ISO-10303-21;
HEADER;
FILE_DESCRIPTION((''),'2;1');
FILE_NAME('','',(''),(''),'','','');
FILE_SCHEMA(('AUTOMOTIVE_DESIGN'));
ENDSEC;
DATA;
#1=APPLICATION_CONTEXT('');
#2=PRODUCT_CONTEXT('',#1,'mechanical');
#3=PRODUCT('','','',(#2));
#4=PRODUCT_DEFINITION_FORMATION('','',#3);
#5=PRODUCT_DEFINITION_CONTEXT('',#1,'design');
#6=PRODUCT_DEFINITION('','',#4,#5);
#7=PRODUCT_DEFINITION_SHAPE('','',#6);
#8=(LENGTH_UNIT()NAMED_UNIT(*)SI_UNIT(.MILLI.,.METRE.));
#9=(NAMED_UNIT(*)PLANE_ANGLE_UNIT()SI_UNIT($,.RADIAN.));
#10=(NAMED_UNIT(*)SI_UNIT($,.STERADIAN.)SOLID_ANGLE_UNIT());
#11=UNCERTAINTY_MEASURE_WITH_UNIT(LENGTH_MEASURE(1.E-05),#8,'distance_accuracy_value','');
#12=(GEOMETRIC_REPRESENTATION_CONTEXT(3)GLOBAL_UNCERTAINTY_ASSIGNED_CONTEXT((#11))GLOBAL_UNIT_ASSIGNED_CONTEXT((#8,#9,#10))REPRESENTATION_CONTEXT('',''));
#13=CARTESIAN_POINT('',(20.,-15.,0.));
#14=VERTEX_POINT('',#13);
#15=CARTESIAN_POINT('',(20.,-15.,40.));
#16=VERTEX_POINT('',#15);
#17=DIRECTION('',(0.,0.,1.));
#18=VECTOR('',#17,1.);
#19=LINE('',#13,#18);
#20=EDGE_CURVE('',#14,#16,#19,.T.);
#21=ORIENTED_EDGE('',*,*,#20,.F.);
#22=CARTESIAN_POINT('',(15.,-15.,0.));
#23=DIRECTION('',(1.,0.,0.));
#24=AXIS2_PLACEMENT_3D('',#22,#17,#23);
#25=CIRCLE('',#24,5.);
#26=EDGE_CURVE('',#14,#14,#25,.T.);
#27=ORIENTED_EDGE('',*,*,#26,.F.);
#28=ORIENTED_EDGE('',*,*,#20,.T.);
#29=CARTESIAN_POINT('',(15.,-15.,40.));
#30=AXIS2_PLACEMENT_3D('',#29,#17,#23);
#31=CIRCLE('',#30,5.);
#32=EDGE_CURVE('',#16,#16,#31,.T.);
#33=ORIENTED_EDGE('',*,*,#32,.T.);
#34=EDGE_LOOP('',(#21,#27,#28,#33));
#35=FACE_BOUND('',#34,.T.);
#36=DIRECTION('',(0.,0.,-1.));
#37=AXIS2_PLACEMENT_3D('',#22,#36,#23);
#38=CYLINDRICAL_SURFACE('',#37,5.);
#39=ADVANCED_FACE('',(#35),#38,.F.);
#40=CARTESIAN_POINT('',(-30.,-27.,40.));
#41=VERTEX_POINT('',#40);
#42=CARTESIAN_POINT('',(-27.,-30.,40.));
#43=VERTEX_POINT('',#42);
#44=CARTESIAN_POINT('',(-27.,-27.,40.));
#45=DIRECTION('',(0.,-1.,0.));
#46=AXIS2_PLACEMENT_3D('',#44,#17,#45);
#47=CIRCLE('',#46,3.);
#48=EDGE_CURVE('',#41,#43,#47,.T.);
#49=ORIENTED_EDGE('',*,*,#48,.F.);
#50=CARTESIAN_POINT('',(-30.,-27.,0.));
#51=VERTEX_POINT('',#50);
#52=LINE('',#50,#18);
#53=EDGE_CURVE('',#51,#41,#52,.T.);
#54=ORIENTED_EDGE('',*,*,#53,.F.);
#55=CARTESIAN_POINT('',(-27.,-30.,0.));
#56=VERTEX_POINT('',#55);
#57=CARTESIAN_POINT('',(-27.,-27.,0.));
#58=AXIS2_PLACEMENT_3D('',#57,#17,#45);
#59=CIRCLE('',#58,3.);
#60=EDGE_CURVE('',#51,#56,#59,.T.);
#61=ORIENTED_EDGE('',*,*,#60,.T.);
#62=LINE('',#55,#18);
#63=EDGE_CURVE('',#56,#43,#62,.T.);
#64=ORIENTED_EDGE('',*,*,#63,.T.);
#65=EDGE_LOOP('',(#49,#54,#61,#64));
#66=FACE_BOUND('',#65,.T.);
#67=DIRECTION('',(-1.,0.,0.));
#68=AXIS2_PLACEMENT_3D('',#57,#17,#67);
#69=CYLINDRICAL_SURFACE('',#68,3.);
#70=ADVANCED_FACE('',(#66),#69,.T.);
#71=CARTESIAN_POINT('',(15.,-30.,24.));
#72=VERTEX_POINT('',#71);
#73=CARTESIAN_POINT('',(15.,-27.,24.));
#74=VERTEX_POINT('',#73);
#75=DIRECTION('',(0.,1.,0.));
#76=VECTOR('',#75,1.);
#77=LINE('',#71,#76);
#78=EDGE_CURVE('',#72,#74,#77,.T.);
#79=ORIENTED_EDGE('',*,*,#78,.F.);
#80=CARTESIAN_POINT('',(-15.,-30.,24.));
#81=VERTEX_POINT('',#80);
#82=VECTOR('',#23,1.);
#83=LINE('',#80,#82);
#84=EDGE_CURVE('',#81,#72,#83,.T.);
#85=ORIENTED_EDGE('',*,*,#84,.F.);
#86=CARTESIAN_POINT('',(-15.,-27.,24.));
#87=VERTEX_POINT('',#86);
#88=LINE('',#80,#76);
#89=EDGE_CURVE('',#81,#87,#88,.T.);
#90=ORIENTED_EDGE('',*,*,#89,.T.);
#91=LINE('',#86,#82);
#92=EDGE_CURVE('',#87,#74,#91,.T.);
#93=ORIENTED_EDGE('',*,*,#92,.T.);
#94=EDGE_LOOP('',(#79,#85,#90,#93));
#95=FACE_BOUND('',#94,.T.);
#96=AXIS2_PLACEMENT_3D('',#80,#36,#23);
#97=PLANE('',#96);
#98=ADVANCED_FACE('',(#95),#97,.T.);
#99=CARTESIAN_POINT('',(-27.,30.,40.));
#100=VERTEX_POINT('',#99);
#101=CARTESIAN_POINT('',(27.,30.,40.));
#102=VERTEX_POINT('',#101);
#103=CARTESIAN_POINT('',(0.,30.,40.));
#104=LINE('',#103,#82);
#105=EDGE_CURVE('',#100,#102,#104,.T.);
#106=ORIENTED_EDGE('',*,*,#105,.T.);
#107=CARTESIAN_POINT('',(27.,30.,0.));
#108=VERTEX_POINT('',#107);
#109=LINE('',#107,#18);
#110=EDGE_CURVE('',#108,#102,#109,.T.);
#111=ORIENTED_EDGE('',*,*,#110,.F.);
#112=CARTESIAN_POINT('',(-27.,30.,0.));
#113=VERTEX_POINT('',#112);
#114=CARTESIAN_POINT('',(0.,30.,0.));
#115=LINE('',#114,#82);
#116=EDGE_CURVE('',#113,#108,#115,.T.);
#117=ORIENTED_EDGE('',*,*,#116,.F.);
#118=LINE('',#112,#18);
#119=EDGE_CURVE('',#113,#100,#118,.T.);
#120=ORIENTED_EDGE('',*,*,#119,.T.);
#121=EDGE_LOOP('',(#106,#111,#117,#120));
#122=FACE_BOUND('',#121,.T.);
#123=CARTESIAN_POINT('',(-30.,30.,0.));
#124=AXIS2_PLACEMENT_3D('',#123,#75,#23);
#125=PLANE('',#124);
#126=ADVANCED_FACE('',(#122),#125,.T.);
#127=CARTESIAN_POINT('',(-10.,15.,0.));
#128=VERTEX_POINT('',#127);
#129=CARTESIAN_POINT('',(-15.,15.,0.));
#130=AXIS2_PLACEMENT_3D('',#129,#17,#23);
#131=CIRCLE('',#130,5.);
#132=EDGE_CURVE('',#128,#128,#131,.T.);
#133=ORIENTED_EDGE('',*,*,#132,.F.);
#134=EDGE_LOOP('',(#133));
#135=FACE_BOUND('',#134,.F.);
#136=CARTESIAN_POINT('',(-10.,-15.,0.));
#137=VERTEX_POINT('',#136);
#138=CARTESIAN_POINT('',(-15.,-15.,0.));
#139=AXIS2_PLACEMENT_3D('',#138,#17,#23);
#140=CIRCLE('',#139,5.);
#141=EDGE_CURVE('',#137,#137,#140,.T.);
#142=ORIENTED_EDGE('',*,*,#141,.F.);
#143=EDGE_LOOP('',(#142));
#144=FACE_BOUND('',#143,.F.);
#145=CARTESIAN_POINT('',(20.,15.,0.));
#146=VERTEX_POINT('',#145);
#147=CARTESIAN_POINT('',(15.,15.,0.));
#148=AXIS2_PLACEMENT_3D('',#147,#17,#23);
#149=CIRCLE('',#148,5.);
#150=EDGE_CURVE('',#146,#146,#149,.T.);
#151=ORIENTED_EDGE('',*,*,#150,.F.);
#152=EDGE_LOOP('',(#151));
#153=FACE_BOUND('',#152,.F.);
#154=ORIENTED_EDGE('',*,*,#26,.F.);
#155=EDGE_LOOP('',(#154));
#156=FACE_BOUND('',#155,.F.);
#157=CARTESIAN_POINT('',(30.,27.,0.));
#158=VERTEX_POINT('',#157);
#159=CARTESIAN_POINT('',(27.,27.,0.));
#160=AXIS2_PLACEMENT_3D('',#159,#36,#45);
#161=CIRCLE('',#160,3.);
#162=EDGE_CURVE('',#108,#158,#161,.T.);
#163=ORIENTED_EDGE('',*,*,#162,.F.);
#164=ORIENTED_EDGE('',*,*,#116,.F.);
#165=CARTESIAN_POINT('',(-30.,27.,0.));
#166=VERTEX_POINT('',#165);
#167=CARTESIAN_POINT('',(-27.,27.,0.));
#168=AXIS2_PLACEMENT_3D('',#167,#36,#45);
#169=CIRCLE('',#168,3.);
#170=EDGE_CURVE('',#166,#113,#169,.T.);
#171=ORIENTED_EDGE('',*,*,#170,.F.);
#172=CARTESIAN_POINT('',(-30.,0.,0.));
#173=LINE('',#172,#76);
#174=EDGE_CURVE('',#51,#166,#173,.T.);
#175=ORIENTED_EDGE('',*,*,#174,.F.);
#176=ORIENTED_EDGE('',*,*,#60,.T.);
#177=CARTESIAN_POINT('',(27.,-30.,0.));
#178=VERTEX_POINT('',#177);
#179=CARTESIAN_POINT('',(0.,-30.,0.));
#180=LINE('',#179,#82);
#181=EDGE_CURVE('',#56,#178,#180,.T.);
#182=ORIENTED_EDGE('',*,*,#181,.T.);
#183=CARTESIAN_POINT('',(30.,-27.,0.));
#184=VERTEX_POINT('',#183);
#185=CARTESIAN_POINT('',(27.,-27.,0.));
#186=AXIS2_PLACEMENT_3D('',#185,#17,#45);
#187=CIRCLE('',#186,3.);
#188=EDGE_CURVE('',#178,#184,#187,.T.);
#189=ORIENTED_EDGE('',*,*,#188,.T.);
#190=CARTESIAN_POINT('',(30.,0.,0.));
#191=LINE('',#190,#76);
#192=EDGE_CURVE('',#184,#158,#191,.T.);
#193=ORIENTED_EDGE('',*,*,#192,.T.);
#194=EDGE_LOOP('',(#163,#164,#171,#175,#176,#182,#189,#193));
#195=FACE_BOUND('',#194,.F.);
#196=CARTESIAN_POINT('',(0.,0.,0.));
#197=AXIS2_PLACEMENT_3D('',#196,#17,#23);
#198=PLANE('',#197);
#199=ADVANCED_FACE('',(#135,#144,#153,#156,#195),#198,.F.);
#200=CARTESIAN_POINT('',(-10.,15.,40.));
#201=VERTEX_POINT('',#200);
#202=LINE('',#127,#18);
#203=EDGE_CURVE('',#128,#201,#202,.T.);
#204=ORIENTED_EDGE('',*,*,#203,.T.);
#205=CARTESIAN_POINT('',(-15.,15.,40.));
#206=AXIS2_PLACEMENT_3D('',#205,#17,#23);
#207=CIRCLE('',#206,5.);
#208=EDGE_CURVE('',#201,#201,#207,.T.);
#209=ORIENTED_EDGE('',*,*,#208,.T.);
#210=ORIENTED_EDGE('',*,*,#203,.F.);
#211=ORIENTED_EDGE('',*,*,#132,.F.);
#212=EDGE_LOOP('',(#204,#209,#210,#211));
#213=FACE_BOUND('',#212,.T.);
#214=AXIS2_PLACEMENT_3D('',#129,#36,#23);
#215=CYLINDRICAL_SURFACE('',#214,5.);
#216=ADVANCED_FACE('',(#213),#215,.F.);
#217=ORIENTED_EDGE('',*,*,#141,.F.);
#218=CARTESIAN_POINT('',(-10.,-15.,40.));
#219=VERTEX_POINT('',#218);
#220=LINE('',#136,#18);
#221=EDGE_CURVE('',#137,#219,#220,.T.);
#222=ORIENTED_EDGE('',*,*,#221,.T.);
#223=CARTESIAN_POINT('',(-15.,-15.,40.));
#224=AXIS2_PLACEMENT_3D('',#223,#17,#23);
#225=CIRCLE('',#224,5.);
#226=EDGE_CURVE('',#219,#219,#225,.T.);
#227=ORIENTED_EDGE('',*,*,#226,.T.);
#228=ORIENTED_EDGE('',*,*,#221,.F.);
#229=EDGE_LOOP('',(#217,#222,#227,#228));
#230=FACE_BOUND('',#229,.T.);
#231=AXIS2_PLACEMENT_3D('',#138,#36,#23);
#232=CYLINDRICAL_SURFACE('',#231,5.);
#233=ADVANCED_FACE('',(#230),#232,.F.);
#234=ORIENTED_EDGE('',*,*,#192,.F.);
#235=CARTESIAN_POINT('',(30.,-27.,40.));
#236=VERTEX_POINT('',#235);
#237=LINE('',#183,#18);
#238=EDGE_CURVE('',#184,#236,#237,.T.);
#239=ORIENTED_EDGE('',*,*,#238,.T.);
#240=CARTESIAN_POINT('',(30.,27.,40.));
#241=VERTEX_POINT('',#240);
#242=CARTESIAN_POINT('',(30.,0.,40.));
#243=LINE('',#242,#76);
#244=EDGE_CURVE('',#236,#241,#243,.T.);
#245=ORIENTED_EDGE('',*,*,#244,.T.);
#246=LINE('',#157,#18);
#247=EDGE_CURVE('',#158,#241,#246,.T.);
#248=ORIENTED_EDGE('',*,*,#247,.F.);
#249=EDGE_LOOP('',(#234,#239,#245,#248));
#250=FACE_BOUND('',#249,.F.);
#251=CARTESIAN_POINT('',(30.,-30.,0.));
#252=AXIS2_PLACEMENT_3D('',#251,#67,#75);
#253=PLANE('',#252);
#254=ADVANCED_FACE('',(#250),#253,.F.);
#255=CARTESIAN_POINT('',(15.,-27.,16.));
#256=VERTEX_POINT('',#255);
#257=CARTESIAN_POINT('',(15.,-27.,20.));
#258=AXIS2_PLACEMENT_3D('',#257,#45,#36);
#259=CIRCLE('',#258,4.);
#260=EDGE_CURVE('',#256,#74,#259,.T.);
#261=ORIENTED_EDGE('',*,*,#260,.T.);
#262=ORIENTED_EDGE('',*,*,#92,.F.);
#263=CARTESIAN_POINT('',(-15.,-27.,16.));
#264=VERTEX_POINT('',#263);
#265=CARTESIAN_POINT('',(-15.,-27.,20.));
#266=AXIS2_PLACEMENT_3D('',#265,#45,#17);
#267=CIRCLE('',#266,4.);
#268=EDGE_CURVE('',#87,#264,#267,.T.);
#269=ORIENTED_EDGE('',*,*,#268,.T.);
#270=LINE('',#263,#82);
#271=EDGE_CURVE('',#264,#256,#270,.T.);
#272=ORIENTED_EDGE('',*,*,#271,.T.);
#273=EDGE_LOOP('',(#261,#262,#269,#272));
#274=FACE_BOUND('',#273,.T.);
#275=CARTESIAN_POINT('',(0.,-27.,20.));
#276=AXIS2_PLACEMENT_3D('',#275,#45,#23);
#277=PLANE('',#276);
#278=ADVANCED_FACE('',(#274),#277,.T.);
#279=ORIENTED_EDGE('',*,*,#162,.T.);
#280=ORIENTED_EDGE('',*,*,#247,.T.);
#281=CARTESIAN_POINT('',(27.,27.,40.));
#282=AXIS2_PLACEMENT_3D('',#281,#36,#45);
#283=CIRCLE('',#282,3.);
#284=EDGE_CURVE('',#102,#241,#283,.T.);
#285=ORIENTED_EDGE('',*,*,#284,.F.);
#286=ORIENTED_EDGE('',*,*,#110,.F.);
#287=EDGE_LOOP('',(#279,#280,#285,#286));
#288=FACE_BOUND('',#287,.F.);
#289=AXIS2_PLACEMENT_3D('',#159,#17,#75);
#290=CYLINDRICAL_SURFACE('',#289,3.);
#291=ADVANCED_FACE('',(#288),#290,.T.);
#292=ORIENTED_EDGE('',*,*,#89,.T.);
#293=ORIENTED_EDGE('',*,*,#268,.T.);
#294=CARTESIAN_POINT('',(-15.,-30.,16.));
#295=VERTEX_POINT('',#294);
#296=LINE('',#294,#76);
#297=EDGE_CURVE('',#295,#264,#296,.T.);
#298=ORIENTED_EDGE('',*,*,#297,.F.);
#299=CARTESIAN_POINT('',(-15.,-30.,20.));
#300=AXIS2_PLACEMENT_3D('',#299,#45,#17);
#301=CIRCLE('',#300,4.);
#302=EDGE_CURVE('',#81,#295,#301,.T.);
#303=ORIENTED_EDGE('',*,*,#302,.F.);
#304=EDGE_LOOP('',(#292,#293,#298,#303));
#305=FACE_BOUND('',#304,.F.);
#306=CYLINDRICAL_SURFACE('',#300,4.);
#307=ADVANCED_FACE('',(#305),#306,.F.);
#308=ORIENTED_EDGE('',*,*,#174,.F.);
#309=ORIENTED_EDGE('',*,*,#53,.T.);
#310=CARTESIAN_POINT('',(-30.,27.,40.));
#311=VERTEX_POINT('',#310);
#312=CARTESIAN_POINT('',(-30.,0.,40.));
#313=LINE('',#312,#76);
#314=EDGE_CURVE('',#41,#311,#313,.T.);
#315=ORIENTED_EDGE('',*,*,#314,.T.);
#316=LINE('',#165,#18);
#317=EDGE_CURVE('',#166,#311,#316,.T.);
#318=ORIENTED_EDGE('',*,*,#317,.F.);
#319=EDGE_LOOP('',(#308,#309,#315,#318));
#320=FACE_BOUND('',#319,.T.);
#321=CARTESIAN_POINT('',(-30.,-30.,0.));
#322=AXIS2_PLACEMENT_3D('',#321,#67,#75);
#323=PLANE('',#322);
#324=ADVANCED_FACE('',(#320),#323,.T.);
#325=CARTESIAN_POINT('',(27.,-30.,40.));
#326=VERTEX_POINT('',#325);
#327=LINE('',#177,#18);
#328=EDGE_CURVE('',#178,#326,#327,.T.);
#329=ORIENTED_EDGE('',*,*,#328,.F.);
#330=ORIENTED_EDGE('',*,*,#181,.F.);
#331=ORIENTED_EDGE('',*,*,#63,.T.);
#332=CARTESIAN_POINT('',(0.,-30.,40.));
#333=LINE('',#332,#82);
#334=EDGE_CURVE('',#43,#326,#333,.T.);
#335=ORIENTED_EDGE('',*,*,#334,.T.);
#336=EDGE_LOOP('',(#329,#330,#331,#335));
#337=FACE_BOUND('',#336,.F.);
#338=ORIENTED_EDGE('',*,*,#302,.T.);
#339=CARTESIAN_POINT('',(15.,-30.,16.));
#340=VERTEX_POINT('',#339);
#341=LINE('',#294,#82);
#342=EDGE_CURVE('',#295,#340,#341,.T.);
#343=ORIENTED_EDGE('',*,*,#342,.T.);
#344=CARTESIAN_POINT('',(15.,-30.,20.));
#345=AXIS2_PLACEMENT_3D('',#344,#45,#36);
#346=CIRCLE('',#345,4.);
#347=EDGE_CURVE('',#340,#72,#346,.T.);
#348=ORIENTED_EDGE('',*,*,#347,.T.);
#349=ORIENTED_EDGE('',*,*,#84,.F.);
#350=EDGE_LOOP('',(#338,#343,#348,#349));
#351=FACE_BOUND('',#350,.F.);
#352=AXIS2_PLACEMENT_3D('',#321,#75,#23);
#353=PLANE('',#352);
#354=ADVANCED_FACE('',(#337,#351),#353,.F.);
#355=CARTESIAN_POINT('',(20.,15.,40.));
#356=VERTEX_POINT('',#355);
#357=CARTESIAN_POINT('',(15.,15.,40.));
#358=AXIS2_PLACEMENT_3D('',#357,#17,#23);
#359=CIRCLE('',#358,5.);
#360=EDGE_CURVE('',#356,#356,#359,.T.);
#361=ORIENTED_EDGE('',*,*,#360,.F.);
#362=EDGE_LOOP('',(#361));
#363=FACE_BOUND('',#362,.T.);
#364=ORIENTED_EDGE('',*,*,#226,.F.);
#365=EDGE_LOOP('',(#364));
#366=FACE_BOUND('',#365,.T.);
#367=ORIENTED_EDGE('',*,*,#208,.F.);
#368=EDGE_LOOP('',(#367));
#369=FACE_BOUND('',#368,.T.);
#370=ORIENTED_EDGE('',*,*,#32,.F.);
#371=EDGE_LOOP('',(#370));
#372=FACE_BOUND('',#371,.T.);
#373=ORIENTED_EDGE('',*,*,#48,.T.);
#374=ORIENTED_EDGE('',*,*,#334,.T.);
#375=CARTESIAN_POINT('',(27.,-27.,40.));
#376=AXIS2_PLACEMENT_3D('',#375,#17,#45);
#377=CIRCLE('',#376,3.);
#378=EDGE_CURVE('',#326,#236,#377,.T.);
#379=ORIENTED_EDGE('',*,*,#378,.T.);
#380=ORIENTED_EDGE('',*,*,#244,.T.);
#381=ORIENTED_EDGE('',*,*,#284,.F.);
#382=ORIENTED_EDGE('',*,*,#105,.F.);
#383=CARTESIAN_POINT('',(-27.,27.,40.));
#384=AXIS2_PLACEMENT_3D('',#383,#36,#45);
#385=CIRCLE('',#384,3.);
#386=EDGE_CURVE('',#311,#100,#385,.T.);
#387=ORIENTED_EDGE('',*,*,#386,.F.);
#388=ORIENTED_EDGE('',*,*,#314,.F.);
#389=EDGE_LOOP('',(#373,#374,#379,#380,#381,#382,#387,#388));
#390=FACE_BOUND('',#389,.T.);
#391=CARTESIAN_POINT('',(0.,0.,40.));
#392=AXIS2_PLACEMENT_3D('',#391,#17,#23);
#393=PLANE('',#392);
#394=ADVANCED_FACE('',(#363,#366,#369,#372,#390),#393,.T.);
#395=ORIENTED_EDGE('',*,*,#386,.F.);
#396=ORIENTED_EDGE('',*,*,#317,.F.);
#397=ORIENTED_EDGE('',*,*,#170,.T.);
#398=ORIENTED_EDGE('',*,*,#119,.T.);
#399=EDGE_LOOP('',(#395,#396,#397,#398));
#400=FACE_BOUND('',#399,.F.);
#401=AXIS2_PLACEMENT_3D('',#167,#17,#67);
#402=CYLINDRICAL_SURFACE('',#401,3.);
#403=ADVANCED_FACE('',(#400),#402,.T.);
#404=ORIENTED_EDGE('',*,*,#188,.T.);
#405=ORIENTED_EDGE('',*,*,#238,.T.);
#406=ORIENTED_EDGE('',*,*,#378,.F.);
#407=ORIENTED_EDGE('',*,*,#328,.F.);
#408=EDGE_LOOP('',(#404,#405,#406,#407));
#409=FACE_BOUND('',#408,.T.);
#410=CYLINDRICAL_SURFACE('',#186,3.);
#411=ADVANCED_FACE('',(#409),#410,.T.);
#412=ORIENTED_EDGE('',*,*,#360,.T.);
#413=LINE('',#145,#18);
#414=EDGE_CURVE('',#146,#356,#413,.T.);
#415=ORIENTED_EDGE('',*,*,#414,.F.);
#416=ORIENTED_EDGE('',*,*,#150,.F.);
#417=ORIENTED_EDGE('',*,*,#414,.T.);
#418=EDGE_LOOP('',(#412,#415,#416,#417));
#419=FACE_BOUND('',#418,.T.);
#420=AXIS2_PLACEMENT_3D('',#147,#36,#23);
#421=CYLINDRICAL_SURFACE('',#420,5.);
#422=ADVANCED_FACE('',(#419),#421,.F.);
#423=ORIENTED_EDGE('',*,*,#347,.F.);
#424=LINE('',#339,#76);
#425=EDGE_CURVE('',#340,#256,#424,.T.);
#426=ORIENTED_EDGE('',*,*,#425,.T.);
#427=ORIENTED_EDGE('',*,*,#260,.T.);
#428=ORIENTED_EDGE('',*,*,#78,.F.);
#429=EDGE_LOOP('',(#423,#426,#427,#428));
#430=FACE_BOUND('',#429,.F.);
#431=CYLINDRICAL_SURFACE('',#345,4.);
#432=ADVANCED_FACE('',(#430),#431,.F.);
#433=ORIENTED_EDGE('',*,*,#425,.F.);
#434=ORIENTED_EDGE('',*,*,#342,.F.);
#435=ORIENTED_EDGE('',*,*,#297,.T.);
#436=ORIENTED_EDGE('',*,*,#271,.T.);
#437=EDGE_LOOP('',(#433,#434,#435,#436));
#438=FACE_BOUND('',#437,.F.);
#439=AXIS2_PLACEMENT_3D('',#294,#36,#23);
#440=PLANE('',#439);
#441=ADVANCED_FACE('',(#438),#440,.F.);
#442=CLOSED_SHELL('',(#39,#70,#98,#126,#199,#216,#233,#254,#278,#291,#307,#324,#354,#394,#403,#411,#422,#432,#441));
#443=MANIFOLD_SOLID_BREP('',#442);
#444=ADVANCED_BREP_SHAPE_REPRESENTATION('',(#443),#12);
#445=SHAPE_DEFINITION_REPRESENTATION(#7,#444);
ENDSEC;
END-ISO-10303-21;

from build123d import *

# Parameters (mm, degrees)
SKETCH_W     = 60
SKETCH_H     = 60
SKETCH_R     = 5
PAD_DEPTH    = 40
POCKET_DEPTH = 3
FILLET_R     = 3


with BuildPart() as part:
    # Sketch → Pad (new body)
    with BuildSketch(Plane.XY):
        Rectangle(SKETCH_W, SKETCH_H)
        with Locations((-15, 15)):
            Circle(SKETCH_R, mode=Mode.SUBTRACT)
        with Locations((15, 15)):
            Circle(SKETCH_R, mode=Mode.SUBTRACT)
        with Locations((-15, -15)):
            Circle(SKETCH_R, mode=Mode.SUBTRACT)
        with Locations((15, -15)):
            Circle(SKETCH_R, mode=Mode.SUBTRACT)
    extrude(amount=PAD_DEPTH)

    # Sketch001 (on Face4 of Pad) → Pocket (cut)
    with BuildSketch(Plane.XZ.offset(30)):
        with BuildLine():
            ThreePointArc((-15, 24), (-19, 20), (-15, 16))
            Line((-15, 16), (15, 16))
            ThreePointArc((15, 16), (19, 20), (15, 24))
            Line((-15, 24), (15, 24))
        make_face()
    extrude(amount=-POCKET_DEPTH, mode=Mode.SUBTRACT)

    # Fillet
    fillet_edges = [part.edges().sort_by_distance(p)[0] for p in [
        (30, -30, 20),
        (30, 30, 20),
        (-30, -30, 20),
        (-30, 30, 20),
    ]]
    fillet(fillet_edges, radius=FILLET_R)


solid = part.part
